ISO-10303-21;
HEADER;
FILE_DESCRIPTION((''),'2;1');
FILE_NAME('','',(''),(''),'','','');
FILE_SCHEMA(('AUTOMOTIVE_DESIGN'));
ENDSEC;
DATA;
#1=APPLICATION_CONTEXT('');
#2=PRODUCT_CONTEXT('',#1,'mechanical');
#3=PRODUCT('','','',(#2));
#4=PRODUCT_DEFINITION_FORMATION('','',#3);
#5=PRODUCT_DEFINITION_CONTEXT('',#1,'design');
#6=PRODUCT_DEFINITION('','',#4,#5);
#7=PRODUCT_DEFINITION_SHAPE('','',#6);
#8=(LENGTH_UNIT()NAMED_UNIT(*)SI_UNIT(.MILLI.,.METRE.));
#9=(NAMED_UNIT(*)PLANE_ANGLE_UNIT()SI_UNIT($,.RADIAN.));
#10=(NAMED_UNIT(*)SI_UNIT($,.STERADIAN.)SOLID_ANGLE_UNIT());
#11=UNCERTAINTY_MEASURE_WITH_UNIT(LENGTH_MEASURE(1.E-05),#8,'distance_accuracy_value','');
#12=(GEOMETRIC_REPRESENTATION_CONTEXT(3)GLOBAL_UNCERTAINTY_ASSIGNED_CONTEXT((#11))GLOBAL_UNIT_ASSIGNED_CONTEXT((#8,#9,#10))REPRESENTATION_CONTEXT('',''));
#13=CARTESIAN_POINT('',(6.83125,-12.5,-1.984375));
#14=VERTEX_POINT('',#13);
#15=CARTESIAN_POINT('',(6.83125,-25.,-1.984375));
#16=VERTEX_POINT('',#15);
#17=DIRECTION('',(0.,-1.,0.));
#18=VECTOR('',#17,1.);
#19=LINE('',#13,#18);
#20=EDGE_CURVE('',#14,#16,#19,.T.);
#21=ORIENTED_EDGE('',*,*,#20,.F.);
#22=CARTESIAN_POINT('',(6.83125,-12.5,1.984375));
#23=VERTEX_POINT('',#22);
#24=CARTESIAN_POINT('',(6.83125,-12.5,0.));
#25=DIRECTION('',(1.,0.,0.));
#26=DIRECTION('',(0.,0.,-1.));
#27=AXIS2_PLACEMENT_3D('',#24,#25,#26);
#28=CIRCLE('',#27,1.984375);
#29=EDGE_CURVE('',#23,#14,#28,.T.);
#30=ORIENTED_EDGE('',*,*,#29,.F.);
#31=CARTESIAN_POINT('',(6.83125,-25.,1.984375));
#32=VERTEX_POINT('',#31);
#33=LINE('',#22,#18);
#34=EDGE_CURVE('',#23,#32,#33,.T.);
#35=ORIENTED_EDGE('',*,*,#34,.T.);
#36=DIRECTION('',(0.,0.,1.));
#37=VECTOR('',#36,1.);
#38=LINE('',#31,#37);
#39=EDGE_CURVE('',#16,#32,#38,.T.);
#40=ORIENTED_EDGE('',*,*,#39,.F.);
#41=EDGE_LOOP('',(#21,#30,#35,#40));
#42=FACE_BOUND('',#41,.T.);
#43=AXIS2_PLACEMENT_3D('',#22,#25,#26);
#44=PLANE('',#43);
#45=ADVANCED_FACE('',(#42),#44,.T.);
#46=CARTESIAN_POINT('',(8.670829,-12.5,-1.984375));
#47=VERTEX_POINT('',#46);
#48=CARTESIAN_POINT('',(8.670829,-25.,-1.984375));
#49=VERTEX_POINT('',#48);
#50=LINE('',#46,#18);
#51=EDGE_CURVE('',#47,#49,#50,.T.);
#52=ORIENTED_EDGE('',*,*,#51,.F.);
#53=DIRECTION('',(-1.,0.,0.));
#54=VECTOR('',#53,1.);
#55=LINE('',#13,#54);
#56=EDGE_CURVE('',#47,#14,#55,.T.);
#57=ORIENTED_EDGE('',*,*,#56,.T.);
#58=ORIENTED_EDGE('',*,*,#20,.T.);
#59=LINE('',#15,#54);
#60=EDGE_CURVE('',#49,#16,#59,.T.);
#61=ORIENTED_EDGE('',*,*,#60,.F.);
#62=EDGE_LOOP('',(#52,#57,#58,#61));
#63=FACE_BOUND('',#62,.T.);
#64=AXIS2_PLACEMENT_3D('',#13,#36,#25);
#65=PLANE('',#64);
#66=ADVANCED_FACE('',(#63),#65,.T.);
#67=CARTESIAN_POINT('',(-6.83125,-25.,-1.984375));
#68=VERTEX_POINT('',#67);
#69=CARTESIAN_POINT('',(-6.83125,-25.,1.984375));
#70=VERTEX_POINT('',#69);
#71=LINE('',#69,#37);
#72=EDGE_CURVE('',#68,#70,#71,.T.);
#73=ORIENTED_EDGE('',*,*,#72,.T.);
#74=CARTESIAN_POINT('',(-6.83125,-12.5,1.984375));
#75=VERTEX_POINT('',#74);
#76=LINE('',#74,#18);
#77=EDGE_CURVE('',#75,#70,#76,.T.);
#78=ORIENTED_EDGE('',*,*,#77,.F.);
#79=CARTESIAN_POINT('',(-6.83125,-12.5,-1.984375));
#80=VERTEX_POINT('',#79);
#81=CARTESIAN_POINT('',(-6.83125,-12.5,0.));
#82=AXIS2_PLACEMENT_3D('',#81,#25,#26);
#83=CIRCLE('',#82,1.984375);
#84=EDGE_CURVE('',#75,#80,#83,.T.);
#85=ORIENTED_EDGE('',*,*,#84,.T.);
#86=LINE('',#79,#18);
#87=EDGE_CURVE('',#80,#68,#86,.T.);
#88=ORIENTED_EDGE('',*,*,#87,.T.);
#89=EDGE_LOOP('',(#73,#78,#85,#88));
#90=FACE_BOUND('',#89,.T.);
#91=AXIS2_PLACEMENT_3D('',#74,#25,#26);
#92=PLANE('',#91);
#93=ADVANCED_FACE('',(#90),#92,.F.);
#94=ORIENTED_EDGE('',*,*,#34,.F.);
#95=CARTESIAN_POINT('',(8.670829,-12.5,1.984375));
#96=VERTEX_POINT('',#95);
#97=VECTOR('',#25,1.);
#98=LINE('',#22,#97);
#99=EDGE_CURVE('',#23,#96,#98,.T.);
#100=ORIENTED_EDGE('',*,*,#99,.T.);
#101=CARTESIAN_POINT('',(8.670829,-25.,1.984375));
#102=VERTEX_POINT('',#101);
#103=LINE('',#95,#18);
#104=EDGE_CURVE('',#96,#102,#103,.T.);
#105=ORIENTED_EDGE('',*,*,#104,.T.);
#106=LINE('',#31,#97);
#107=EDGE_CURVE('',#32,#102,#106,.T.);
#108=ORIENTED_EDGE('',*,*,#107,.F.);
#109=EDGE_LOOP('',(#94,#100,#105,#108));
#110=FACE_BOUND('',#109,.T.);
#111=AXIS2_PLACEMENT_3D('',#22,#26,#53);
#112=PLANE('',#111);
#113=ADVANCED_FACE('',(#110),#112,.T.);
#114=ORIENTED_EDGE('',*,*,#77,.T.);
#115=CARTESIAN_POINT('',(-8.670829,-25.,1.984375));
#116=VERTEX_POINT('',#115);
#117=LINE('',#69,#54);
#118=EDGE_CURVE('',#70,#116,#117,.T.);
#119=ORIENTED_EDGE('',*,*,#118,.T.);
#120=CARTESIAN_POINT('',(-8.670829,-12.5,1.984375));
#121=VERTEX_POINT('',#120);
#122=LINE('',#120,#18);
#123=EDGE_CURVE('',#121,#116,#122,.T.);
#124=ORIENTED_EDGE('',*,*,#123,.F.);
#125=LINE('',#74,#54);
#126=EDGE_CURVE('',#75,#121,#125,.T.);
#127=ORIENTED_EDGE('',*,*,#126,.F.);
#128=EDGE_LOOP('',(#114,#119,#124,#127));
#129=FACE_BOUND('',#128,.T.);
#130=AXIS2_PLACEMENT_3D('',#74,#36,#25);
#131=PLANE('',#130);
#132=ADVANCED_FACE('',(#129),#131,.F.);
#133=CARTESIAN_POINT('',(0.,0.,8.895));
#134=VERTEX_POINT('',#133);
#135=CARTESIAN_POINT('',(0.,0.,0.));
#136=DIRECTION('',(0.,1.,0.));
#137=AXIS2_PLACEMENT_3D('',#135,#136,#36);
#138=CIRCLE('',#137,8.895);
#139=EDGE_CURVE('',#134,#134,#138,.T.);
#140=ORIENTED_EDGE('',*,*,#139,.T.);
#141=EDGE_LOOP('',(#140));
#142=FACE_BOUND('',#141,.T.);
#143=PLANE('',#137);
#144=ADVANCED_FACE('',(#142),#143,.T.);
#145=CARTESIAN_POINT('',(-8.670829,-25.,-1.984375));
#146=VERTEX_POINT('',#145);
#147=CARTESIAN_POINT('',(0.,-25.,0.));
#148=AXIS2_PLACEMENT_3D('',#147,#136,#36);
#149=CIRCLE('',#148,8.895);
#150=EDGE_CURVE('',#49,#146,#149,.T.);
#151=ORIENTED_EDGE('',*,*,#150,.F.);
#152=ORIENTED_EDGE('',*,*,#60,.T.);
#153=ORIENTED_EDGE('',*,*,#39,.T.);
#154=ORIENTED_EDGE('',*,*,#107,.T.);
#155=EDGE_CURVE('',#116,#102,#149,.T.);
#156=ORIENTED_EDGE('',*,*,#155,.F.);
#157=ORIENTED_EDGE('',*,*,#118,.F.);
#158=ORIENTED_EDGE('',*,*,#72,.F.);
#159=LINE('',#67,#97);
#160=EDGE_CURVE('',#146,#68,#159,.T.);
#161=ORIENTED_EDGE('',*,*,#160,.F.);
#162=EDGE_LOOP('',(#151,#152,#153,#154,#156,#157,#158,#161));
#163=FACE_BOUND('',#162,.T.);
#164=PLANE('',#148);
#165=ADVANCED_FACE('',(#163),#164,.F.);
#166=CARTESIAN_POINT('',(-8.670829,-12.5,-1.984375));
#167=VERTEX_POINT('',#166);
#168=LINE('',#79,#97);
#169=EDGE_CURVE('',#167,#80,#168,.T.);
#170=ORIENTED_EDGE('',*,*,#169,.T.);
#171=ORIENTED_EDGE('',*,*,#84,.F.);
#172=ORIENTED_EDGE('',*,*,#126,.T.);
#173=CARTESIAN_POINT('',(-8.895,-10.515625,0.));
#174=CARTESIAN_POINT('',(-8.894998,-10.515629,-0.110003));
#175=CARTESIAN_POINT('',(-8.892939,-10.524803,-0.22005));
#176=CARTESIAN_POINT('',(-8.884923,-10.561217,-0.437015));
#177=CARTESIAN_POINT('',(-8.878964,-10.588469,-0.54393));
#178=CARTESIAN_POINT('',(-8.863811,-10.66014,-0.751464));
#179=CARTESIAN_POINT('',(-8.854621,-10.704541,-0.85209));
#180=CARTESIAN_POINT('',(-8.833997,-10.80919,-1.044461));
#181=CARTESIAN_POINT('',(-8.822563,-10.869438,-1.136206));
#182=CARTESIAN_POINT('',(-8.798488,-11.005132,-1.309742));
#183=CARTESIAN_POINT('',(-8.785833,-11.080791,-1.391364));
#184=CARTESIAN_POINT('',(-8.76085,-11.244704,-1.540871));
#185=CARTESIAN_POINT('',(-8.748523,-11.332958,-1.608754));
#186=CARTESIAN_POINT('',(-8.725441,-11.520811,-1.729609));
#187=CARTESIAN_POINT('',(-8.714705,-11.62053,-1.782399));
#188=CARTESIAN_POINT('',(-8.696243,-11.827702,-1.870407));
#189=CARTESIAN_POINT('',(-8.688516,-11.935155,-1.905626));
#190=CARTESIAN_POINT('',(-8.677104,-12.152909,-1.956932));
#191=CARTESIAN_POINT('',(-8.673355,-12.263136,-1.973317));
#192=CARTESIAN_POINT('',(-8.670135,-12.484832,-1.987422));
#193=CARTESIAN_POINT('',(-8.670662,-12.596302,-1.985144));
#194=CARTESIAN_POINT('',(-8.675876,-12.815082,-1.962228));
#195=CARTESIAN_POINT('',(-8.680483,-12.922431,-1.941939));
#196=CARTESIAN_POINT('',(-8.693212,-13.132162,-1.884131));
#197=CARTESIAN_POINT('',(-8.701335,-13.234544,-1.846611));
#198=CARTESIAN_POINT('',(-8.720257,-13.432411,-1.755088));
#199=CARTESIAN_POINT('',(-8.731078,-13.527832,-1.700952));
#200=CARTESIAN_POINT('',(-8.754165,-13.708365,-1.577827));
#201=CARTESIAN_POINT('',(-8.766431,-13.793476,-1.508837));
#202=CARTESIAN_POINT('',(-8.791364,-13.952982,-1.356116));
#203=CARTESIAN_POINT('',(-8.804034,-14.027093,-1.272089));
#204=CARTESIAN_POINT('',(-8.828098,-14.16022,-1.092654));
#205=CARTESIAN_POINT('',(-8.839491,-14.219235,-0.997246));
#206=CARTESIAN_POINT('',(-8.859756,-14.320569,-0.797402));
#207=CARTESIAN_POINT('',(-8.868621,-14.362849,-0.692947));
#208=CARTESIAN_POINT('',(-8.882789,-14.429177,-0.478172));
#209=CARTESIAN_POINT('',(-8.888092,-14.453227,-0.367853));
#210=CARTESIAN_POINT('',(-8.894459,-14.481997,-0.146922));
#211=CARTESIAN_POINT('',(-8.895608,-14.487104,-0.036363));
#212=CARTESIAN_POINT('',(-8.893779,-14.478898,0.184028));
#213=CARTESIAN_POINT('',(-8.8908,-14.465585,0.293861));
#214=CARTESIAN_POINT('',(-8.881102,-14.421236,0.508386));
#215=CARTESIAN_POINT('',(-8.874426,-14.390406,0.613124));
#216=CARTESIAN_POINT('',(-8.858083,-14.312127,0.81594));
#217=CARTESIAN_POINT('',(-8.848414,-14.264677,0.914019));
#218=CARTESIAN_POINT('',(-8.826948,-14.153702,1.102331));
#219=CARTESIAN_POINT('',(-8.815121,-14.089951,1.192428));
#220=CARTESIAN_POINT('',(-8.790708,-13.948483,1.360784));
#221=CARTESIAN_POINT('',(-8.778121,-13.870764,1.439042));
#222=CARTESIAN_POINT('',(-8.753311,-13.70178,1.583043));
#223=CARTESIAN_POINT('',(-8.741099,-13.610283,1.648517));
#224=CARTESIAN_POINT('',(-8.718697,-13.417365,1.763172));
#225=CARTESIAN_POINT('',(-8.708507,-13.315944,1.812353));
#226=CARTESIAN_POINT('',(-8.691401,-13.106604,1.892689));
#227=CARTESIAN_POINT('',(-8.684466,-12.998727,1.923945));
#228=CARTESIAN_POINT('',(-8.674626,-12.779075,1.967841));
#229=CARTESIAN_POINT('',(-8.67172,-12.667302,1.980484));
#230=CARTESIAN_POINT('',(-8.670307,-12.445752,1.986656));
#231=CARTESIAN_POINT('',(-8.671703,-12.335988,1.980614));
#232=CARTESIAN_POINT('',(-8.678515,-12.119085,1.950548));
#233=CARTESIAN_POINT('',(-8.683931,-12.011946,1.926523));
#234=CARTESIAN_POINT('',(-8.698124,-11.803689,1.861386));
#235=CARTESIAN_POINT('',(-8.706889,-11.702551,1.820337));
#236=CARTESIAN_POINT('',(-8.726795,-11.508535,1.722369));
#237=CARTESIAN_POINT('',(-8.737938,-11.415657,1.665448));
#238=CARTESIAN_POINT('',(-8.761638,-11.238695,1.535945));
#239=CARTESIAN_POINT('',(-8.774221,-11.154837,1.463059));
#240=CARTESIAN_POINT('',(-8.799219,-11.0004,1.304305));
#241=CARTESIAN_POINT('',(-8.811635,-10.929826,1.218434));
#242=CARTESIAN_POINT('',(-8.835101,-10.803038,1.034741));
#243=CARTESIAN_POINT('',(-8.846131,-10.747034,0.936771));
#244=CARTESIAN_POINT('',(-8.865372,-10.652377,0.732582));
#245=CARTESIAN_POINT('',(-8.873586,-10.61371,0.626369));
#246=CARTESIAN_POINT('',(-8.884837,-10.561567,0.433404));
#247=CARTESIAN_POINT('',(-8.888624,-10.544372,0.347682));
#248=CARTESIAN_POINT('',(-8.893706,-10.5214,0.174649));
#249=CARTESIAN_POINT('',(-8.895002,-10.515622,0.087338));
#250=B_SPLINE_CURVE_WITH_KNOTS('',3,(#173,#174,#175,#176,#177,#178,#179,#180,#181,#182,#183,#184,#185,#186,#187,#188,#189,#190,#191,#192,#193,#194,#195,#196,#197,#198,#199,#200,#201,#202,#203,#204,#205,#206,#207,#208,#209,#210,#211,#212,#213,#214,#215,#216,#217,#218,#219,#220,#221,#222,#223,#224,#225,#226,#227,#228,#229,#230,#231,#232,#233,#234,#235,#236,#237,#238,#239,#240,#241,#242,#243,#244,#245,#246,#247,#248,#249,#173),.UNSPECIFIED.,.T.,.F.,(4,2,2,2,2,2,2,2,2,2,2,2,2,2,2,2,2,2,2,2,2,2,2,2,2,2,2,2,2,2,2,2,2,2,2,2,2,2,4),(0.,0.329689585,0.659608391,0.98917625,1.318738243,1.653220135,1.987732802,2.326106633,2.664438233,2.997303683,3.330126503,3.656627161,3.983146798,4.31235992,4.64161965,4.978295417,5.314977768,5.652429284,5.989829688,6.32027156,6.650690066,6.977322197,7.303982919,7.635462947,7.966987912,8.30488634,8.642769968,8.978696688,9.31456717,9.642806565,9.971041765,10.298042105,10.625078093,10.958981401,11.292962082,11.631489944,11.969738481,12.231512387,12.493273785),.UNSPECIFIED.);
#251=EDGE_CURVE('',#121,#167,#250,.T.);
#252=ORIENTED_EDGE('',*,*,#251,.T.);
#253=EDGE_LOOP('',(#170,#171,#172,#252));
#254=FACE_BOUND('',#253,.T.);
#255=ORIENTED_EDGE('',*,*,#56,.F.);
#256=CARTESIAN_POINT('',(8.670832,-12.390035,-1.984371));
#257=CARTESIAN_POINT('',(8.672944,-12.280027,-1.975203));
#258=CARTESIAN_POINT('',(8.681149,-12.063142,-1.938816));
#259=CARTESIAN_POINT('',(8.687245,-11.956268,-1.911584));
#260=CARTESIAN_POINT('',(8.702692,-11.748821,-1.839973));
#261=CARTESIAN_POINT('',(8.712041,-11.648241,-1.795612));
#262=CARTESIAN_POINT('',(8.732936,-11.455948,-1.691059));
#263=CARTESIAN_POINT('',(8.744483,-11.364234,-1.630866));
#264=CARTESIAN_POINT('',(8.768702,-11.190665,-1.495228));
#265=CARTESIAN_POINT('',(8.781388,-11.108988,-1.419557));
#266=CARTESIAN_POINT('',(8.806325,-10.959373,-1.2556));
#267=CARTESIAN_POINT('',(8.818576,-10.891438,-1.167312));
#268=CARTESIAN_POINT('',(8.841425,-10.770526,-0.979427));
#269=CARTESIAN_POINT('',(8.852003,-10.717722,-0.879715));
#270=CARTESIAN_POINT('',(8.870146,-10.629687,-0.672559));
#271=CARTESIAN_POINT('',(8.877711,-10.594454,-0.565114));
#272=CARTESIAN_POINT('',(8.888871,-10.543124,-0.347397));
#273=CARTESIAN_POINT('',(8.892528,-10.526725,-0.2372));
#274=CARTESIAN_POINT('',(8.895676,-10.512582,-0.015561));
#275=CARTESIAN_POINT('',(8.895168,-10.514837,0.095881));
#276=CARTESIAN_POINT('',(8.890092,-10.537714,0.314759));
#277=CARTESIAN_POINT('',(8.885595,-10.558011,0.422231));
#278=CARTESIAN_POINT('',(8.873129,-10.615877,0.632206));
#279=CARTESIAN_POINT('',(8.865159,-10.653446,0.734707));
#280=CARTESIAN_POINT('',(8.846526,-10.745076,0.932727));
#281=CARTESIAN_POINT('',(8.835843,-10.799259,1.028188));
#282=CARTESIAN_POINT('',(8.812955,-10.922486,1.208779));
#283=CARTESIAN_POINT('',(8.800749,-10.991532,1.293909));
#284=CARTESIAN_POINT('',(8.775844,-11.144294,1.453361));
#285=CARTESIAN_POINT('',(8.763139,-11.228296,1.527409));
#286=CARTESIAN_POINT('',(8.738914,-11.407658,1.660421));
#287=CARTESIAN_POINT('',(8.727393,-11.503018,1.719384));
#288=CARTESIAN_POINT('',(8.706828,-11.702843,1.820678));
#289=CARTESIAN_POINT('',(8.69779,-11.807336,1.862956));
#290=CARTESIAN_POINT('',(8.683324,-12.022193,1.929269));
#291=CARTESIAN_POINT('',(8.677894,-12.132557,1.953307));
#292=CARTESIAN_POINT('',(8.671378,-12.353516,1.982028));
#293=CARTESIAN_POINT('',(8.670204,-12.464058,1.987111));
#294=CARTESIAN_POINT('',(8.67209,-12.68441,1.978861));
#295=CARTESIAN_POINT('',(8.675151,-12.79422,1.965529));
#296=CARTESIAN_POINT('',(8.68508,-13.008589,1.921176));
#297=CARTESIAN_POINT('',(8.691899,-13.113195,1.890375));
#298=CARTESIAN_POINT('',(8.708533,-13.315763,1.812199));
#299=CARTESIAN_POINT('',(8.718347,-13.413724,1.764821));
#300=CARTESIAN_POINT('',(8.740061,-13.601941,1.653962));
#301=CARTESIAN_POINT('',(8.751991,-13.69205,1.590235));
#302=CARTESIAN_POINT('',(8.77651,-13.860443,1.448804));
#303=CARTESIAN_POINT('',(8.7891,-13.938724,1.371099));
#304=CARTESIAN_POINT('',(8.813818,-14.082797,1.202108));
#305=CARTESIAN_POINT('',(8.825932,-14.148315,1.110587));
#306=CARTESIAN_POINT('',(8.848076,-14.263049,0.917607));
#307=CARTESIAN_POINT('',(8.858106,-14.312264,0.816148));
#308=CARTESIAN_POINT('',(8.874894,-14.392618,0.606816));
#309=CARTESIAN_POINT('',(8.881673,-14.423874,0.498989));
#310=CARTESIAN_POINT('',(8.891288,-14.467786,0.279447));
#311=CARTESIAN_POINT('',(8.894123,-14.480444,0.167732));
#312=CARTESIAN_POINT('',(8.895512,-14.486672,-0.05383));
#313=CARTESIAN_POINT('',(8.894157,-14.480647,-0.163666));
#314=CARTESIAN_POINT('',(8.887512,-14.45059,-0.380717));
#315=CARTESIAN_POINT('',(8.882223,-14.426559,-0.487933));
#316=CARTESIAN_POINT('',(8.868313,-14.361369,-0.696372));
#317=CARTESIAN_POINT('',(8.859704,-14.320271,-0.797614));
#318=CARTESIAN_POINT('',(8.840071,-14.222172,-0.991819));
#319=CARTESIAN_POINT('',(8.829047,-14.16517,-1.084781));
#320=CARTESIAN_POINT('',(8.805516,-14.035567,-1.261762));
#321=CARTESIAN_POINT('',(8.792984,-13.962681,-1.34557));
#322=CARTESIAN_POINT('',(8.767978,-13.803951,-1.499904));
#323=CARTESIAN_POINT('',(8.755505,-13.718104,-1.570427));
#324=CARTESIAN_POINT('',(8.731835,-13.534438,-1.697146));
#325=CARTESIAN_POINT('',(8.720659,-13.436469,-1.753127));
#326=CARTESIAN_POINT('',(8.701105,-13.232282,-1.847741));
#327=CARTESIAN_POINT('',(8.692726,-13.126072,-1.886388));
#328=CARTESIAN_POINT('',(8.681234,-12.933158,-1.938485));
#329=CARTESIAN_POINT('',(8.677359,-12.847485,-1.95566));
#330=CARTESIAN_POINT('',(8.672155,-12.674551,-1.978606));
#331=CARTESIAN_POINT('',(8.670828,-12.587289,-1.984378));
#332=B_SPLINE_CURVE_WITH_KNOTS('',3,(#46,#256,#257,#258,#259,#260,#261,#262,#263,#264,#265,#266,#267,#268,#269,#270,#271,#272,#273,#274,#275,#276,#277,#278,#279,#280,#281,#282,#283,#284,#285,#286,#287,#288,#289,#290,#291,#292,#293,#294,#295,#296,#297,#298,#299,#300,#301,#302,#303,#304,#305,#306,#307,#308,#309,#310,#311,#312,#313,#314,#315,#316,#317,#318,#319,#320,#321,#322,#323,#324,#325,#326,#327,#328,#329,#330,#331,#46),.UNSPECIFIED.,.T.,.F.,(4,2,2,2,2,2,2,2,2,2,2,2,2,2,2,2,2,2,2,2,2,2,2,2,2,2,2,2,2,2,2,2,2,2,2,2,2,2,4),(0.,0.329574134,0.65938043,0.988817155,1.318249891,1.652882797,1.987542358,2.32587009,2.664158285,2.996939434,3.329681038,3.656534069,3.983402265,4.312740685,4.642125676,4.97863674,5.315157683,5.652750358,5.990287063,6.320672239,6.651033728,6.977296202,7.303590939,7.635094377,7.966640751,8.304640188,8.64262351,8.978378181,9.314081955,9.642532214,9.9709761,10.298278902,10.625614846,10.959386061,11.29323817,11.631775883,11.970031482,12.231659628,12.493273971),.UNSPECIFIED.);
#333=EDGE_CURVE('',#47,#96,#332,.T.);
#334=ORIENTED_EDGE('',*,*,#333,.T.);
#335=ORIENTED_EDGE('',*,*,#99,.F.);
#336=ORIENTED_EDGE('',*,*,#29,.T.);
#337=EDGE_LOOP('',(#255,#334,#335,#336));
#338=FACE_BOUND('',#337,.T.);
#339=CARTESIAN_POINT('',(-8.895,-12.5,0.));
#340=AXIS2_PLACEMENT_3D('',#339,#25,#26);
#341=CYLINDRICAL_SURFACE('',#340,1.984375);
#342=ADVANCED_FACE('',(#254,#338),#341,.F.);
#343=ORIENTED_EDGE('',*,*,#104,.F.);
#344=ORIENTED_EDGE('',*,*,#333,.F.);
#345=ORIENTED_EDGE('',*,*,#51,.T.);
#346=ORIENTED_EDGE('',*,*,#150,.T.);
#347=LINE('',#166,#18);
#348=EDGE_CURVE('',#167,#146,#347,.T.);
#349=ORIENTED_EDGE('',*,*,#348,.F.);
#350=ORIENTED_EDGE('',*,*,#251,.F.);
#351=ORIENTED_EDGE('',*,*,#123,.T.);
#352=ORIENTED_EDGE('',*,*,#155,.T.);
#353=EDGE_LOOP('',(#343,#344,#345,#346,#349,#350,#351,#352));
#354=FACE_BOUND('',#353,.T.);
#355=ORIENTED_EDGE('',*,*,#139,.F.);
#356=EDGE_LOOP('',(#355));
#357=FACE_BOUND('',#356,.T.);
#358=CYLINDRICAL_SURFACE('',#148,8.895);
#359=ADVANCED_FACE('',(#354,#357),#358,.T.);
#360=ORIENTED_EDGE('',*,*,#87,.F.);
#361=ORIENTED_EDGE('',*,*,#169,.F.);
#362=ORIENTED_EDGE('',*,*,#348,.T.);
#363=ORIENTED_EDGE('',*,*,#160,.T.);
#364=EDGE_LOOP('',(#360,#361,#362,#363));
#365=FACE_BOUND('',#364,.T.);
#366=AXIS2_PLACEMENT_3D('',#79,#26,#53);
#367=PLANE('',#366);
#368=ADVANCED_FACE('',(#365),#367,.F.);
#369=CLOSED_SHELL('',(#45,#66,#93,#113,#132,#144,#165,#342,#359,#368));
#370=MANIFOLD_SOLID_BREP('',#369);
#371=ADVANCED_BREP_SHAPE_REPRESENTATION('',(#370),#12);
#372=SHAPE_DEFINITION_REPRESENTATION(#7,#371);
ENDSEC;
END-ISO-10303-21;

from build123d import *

# Parameters (mm, degrees)
SKETCH1_R               = 8.895
BOSS_EXTRUDE1_DEPTH     = 25
CUT_EXTRUDE1_DEPTH      = 12.5
SKETCH3_R               = 1.984375
CUT_EXTRUDE2_DEPTH      = 9.895
CUT_EXTRUDE2_DEPTH_BACK = 9.895


with BuildPart() as part:
    # Sketch1 → Boss-Extrude1 (new body)
    with BuildSketch(Plane(origin=(0, 0, 0), x_dir=(1, 0, 0), z_dir=(0, 1, 0))):
        Circle(SKETCH1_R)
    extrude(amount=-BOSS_EXTRUDE1_DEPTH)

    # Sketch2 → Cut-Extrude1 (cut)
    with BuildSketch(Plane.XZ.offset(25)):
        with BuildLine():
            Line((-6.83125, 1.984375), (-6.83125, -1.984375))
            Line((-6.83125, -1.984375), (-8.670829306, -1.984375))
            ThreePointArc((-8.670829306, -1.984375), (-8.895, 0), (-8.670829306, 1.984375))
            Line((-8.670829306, 1.984375), (-6.83125, 1.984375))
        make_face()
    cut_extrude1 = extrude(amount=-CUT_EXTRUDE1_DEPTH, mode=Mode.SUBTRACT)

    # Mirror1: Cut-Extrude1 across plane
    add(cut_extrude1.mirror(Plane(origin=(0, 0, 0), x_dir=(0, 0, 1), z_dir=(1, 0, 0))), mode=Mode.SUBTRACT)

    # Sketch3 → Cut-Extrude2 (cut, two sides)
    with BuildSketch(Plane(origin=(0, 0, 0), x_dir=(0, 0, -1), z_dir=(1, 0, 0))) as cut_extrude2_sk:
        with Locations((0, -12.5)):
            Circle(SKETCH3_R)
    extrude(amount=CUT_EXTRUDE2_DEPTH, mode=Mode.SUBTRACT)
    extrude(cut_extrude2_sk.sketch, amount=-CUT_EXTRUDE2_DEPTH_BACK, mode=Mode.SUBTRACT)


solid = part.part
